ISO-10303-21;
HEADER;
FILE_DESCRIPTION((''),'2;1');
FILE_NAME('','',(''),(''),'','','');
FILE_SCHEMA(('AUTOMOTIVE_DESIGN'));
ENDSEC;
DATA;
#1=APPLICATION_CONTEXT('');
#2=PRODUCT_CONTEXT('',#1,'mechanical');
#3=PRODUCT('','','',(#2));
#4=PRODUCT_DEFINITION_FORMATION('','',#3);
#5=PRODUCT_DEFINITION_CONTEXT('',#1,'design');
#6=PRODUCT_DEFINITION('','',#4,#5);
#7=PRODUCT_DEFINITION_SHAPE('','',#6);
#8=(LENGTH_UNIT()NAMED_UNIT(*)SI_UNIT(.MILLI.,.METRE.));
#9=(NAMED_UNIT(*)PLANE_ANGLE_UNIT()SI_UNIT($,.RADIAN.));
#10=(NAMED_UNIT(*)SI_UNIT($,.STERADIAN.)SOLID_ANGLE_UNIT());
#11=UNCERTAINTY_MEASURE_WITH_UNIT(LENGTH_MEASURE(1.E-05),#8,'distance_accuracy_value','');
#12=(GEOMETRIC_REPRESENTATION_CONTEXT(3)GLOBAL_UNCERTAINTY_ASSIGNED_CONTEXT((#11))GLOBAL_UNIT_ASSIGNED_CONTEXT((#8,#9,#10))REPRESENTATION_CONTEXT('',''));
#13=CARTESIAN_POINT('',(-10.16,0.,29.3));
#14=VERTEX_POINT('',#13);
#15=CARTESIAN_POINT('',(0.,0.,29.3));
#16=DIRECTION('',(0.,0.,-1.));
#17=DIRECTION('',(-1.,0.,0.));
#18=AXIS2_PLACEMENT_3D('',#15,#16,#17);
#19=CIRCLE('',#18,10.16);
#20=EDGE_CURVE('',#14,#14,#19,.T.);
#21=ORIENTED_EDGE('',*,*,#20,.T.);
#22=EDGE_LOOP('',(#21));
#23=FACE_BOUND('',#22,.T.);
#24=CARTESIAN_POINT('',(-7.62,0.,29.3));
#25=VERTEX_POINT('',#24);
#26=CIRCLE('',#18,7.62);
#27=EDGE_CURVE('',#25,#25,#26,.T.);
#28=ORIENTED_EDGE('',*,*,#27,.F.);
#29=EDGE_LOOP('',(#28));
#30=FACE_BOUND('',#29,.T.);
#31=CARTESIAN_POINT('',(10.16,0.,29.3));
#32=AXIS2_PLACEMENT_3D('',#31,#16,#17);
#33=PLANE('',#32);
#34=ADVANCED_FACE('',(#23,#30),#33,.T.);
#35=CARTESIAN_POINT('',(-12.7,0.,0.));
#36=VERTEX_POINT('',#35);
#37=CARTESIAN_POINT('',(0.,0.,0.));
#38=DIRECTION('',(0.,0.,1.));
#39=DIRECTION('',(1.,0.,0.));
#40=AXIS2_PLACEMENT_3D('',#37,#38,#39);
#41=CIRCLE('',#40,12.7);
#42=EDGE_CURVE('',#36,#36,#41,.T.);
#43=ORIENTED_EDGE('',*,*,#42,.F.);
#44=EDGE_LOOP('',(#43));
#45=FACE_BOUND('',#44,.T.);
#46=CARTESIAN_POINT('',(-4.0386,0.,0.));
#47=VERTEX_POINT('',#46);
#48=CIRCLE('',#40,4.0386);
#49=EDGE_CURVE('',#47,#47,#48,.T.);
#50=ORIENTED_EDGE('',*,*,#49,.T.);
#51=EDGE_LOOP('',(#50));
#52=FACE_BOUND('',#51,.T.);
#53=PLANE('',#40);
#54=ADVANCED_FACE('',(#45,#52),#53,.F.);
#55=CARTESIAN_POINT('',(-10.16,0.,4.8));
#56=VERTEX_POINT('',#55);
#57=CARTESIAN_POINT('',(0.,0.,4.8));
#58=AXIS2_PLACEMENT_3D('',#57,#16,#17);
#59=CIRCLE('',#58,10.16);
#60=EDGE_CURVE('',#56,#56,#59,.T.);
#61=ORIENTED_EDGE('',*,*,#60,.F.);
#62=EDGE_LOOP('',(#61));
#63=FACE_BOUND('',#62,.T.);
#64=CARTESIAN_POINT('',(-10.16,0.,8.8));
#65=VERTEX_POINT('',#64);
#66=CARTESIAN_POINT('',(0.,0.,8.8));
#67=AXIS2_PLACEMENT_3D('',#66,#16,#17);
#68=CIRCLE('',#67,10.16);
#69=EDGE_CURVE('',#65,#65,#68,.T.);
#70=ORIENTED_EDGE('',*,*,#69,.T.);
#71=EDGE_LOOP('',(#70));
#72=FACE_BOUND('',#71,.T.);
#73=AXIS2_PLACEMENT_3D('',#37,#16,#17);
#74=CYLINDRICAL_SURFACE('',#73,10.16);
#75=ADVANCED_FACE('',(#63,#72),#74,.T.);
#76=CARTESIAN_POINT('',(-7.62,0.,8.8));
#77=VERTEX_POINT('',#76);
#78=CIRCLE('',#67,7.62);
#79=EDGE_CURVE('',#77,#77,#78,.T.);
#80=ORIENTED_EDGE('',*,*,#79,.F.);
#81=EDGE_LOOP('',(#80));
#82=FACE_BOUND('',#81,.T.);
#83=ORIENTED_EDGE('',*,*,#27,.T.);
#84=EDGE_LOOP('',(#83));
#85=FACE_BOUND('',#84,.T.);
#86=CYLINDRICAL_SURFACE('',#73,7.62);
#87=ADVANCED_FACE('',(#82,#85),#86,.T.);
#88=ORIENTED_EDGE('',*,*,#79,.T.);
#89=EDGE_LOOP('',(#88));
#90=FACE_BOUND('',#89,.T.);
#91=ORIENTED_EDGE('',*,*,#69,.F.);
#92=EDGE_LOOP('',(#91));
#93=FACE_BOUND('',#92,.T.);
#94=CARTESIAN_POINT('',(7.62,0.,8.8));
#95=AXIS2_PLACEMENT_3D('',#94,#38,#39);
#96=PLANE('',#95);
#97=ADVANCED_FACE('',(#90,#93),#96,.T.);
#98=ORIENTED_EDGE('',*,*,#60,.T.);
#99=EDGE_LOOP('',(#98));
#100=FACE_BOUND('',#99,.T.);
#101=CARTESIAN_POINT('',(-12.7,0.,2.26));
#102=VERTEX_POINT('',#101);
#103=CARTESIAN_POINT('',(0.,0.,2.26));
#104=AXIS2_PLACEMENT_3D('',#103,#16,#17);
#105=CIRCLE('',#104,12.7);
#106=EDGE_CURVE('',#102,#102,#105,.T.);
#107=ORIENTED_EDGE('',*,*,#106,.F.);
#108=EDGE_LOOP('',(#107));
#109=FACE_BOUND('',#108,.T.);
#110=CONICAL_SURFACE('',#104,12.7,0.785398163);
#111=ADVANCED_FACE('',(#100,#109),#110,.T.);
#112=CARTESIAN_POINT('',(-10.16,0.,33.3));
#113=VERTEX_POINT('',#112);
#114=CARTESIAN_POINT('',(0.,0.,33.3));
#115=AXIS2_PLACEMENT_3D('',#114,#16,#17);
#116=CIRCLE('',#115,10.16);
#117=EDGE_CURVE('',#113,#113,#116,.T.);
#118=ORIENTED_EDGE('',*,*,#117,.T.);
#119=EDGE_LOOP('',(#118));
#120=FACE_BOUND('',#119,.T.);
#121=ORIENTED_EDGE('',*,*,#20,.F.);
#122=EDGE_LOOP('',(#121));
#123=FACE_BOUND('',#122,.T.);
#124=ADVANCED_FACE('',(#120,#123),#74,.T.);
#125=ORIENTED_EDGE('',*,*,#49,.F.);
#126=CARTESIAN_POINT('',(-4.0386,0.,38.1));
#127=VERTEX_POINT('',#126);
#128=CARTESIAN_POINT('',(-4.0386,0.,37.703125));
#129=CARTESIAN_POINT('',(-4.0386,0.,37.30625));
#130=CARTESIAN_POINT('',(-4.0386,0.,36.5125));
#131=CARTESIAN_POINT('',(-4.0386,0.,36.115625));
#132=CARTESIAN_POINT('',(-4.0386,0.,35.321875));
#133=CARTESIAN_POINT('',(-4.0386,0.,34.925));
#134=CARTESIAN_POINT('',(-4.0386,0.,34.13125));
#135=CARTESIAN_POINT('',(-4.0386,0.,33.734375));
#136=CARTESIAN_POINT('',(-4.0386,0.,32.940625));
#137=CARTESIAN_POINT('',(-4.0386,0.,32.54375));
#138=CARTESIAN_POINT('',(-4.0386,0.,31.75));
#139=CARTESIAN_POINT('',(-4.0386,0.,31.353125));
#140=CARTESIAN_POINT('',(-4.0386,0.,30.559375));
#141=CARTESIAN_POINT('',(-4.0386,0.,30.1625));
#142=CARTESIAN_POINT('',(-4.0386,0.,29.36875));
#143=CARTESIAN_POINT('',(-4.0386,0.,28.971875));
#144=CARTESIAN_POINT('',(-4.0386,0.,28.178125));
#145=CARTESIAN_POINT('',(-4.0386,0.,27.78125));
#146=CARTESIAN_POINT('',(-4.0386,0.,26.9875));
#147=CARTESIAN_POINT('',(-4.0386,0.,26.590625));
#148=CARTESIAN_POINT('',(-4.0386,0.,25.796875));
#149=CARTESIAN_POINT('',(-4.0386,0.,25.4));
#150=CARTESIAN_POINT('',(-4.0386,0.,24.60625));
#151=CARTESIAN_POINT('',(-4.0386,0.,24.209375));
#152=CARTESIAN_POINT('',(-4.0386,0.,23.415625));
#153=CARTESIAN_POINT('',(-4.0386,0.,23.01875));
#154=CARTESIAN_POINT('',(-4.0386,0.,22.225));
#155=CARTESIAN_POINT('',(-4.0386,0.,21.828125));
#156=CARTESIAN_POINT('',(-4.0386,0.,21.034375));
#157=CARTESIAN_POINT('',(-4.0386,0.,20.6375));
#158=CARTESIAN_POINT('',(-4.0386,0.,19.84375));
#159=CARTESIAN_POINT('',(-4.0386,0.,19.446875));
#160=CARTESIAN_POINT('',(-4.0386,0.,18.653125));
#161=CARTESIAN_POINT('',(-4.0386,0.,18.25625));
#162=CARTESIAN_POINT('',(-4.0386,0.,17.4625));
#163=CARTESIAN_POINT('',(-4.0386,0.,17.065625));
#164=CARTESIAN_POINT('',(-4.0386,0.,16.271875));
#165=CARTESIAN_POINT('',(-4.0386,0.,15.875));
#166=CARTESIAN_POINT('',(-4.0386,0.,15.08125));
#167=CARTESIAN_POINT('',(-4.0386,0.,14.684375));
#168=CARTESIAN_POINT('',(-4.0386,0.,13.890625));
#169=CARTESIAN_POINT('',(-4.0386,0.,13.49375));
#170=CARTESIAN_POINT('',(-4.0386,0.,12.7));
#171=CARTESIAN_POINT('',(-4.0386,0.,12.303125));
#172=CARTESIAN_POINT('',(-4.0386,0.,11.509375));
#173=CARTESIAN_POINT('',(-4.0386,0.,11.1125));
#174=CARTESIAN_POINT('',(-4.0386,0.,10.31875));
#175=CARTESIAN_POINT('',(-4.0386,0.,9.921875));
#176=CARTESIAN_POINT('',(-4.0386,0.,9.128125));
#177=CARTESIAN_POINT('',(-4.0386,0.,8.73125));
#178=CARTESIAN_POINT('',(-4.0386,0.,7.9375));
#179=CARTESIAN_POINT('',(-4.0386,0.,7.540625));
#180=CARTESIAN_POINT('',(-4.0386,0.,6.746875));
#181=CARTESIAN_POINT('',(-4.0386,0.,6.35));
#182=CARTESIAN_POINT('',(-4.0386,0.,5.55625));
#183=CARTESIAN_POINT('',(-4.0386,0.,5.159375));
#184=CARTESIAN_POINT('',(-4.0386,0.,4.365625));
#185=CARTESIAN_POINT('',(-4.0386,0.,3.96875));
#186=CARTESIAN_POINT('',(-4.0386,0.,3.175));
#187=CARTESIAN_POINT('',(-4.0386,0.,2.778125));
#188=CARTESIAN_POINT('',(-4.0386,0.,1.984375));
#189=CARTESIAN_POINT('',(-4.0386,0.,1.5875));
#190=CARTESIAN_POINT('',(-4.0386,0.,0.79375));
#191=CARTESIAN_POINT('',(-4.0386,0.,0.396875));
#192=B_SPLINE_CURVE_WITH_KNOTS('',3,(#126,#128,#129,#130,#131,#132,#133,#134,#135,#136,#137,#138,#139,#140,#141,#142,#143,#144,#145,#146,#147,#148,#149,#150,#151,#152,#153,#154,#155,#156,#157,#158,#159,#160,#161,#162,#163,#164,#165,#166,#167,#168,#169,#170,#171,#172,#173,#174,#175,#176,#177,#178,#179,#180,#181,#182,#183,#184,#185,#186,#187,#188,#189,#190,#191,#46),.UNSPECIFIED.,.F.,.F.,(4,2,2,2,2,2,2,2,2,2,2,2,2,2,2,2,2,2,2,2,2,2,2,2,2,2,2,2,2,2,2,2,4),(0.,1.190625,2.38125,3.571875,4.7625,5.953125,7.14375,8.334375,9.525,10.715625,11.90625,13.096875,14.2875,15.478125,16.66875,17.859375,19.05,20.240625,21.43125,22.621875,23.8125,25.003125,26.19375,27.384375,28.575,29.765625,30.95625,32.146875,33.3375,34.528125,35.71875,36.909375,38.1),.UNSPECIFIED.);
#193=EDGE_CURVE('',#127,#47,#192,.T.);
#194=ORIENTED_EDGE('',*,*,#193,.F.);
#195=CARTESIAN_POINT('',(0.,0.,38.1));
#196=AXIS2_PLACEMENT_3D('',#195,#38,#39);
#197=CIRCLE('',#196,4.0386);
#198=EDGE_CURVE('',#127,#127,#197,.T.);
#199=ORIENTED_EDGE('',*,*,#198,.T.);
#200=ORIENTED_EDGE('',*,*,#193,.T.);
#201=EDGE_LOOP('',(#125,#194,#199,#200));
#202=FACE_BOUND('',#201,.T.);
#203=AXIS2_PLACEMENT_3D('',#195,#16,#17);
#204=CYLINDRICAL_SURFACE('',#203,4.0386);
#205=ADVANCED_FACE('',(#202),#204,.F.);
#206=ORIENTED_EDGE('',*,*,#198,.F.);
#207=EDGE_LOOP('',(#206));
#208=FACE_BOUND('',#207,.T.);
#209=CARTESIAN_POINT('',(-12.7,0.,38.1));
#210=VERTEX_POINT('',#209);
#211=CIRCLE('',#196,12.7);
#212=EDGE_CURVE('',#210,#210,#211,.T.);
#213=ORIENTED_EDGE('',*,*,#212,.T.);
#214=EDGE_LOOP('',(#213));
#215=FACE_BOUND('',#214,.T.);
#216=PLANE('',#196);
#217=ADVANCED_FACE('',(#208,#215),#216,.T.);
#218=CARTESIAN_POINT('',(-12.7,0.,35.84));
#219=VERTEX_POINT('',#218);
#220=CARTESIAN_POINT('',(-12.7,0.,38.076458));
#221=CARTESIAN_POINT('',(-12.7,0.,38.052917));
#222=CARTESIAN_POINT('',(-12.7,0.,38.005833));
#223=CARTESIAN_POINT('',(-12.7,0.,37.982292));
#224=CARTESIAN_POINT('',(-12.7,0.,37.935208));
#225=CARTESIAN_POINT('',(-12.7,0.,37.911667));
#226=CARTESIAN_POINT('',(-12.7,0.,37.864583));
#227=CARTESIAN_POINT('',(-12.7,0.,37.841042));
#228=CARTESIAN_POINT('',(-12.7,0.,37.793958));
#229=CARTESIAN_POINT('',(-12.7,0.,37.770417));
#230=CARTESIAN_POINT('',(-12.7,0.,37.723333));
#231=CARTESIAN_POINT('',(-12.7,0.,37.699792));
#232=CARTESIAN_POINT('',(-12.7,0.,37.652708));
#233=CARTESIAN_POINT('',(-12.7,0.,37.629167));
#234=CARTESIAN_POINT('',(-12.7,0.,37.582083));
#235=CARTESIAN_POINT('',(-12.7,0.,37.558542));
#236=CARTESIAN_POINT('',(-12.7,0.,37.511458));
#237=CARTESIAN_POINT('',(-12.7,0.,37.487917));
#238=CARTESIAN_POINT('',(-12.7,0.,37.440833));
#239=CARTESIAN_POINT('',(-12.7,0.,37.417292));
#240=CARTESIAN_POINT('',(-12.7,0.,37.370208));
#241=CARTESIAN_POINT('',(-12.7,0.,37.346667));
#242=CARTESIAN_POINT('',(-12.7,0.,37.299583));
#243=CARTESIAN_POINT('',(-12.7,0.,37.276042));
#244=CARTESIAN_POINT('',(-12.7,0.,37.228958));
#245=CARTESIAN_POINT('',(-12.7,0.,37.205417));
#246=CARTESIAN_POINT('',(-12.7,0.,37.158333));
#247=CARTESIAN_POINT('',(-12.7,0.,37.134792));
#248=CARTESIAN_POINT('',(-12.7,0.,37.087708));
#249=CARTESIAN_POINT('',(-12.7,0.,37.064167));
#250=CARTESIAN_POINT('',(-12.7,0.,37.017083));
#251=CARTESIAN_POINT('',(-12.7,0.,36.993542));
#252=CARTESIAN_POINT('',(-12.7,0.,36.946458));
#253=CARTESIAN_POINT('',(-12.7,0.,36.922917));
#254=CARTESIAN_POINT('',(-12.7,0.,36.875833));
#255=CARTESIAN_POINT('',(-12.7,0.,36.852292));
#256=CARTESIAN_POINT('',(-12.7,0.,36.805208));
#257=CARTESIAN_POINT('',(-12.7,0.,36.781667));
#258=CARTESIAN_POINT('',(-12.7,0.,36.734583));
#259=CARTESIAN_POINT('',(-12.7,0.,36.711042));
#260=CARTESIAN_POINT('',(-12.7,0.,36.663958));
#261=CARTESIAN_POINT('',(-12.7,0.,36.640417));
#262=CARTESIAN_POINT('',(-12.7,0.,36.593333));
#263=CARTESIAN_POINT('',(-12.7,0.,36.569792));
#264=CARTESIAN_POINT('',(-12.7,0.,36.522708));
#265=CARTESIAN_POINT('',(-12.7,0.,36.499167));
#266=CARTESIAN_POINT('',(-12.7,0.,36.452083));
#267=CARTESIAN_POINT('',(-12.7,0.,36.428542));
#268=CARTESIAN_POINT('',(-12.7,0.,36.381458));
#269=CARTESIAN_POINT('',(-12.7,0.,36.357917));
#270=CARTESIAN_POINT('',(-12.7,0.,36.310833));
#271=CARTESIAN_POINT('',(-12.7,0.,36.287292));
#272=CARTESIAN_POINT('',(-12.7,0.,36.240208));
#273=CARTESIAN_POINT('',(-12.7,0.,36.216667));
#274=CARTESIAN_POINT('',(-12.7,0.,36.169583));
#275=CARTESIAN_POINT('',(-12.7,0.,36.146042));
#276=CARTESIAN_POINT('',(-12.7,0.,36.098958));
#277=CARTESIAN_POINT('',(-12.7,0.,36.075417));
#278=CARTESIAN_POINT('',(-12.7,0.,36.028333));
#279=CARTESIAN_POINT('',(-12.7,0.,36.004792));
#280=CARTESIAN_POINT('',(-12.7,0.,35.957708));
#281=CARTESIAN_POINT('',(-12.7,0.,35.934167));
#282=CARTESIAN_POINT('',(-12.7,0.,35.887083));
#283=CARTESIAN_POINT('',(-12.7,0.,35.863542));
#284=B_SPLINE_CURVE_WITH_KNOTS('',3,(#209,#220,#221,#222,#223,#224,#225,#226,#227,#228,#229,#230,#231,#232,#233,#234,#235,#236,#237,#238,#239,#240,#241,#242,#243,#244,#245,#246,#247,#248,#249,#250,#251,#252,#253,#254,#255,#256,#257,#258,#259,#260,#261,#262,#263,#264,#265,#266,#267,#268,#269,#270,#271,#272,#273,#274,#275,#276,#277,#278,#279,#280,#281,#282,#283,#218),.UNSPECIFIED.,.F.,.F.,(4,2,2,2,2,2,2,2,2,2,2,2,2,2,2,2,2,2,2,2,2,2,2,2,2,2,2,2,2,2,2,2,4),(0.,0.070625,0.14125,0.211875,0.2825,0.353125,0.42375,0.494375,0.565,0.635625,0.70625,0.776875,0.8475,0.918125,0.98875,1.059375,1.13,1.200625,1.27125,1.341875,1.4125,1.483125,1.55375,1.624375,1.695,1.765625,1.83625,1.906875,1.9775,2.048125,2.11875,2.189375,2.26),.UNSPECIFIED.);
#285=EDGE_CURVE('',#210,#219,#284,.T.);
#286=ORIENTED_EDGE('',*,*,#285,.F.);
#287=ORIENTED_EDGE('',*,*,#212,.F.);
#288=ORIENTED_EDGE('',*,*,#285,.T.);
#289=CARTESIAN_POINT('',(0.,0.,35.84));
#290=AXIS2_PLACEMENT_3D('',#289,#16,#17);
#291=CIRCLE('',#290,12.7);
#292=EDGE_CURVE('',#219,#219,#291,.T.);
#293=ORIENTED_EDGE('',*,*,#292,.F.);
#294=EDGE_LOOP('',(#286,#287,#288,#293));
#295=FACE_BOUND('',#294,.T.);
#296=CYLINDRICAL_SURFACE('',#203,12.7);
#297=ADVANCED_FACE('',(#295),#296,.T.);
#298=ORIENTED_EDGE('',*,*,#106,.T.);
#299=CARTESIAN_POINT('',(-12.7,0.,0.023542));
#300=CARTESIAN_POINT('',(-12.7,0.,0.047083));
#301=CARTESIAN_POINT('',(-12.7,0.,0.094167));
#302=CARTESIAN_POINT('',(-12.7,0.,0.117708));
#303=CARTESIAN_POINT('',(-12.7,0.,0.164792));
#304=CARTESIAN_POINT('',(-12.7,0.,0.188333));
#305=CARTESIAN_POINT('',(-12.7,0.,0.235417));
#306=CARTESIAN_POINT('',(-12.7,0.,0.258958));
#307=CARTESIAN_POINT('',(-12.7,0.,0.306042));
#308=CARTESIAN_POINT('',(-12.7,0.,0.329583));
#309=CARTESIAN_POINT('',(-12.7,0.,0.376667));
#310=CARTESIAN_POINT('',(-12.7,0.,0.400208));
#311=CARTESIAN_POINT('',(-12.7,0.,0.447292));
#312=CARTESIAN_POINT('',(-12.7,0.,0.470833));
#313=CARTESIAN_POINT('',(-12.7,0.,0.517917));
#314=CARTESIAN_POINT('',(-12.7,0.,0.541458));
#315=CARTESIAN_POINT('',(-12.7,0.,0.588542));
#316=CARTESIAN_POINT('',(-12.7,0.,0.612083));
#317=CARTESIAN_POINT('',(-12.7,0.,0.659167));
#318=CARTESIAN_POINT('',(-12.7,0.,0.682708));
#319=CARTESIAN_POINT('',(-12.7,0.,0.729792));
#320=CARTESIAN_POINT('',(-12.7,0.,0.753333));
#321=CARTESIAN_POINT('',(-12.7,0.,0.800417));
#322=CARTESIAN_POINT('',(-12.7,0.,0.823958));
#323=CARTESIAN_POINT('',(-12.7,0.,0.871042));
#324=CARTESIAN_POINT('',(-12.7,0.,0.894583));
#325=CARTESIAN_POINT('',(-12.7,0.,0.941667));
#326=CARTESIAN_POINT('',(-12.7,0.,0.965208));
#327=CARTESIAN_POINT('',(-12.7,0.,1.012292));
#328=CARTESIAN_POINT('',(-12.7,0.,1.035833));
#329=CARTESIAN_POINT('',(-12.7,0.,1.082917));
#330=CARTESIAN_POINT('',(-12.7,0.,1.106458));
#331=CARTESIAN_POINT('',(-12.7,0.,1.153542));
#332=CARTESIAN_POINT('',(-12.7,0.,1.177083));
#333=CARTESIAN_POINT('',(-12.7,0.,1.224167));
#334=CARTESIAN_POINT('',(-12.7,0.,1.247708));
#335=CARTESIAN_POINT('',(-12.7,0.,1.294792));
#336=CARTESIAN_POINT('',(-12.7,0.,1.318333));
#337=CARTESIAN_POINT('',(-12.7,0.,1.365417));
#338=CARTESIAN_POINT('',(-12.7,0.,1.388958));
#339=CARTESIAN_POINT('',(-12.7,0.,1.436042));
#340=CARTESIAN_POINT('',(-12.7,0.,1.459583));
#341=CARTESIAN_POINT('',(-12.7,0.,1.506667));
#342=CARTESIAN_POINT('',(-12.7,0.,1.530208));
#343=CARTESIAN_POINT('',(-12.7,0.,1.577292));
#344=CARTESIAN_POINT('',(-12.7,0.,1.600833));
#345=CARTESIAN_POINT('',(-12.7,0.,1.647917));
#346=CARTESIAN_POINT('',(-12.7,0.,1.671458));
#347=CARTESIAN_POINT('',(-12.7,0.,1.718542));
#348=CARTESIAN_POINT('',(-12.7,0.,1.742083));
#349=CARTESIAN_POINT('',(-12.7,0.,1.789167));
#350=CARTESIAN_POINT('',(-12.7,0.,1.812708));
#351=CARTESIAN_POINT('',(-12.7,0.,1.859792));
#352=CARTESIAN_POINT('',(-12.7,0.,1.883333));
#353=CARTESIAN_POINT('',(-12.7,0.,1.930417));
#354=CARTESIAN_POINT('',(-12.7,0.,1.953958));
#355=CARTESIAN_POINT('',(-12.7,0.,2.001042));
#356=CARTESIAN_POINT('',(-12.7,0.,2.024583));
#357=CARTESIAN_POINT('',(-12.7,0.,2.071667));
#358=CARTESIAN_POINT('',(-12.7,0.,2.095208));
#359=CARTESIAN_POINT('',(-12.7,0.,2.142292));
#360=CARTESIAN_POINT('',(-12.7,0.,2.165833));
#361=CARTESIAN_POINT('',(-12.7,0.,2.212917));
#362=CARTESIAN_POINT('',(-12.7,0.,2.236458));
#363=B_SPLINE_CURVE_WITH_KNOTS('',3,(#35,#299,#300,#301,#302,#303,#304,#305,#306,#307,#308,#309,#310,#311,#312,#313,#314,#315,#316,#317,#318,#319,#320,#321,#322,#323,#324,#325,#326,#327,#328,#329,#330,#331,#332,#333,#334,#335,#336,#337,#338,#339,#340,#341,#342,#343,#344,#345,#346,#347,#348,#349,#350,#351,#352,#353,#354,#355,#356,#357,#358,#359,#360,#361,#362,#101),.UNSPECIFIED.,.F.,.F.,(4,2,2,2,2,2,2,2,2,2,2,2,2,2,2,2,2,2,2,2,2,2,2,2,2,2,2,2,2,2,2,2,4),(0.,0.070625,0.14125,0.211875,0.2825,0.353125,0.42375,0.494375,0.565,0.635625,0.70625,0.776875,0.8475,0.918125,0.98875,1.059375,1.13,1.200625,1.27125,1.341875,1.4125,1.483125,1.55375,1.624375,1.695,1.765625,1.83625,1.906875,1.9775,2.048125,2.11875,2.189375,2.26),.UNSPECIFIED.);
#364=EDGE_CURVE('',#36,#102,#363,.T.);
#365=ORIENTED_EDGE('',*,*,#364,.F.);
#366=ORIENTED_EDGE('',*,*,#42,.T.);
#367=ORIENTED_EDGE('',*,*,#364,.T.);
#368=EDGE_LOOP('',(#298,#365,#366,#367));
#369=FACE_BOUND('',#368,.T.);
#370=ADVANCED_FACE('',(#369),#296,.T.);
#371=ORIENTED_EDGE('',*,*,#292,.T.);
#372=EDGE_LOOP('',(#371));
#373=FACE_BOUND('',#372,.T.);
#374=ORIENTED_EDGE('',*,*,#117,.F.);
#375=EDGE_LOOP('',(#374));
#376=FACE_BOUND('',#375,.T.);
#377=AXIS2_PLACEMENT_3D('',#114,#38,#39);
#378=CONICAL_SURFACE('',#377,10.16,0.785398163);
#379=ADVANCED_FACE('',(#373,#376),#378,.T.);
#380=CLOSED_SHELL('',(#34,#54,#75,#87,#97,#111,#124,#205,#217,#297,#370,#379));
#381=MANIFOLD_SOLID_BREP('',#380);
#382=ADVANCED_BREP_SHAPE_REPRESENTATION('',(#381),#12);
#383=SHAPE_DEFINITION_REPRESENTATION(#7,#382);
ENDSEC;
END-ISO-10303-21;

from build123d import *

# Parameters (mm, degrees)
SKETCH1_R           = 12.7
SKETCH1_R_2         = 4.0386
BOSS_EXTRUDE1_DEPTH = 38.1


with BuildPart() as part:
    # Sketch1 → Boss-Extrude1 (new body)
    with BuildSketch(Plane.XY):
        with Locations(Location((0, 0, 0), (0, 0, 180))):
            Circle(SKETCH1_R)
        with Locations(Location((0, 0, 0), (0, 0, 180))):
            Circle(SKETCH1_R_2, mode=Mode.SUBTRACT)
    extrude(amount=BOSS_EXTRUDE1_DEPTH)

    # Sketch2 → Cut-Revolve1 (revolve, cut)
    with BuildSketch(Plane(origin=(0, 0, 0), x_dir=(1, 0, 0), z_dir=(0, 1, 0)), mode=Mode.PRIVATE) as cut_revolve1_sk:
        Polygon((10.16, -33.3), (12.7, -35.84), (12.7, -2.26), (10.16, -4.8), (10.16, -8.8), (7.62, -8.8), (7.62, -29.3), (10.16, -29.3), align=None)
    revolve(cut_revolve1_sk.sketch.rotate(Axis((0, 0, 0), (0, 0, 1)), 180), axis=Axis((0, 0, 0), (0, 0, 1)), mode=Mode.SUBTRACT)


solid = part.part
